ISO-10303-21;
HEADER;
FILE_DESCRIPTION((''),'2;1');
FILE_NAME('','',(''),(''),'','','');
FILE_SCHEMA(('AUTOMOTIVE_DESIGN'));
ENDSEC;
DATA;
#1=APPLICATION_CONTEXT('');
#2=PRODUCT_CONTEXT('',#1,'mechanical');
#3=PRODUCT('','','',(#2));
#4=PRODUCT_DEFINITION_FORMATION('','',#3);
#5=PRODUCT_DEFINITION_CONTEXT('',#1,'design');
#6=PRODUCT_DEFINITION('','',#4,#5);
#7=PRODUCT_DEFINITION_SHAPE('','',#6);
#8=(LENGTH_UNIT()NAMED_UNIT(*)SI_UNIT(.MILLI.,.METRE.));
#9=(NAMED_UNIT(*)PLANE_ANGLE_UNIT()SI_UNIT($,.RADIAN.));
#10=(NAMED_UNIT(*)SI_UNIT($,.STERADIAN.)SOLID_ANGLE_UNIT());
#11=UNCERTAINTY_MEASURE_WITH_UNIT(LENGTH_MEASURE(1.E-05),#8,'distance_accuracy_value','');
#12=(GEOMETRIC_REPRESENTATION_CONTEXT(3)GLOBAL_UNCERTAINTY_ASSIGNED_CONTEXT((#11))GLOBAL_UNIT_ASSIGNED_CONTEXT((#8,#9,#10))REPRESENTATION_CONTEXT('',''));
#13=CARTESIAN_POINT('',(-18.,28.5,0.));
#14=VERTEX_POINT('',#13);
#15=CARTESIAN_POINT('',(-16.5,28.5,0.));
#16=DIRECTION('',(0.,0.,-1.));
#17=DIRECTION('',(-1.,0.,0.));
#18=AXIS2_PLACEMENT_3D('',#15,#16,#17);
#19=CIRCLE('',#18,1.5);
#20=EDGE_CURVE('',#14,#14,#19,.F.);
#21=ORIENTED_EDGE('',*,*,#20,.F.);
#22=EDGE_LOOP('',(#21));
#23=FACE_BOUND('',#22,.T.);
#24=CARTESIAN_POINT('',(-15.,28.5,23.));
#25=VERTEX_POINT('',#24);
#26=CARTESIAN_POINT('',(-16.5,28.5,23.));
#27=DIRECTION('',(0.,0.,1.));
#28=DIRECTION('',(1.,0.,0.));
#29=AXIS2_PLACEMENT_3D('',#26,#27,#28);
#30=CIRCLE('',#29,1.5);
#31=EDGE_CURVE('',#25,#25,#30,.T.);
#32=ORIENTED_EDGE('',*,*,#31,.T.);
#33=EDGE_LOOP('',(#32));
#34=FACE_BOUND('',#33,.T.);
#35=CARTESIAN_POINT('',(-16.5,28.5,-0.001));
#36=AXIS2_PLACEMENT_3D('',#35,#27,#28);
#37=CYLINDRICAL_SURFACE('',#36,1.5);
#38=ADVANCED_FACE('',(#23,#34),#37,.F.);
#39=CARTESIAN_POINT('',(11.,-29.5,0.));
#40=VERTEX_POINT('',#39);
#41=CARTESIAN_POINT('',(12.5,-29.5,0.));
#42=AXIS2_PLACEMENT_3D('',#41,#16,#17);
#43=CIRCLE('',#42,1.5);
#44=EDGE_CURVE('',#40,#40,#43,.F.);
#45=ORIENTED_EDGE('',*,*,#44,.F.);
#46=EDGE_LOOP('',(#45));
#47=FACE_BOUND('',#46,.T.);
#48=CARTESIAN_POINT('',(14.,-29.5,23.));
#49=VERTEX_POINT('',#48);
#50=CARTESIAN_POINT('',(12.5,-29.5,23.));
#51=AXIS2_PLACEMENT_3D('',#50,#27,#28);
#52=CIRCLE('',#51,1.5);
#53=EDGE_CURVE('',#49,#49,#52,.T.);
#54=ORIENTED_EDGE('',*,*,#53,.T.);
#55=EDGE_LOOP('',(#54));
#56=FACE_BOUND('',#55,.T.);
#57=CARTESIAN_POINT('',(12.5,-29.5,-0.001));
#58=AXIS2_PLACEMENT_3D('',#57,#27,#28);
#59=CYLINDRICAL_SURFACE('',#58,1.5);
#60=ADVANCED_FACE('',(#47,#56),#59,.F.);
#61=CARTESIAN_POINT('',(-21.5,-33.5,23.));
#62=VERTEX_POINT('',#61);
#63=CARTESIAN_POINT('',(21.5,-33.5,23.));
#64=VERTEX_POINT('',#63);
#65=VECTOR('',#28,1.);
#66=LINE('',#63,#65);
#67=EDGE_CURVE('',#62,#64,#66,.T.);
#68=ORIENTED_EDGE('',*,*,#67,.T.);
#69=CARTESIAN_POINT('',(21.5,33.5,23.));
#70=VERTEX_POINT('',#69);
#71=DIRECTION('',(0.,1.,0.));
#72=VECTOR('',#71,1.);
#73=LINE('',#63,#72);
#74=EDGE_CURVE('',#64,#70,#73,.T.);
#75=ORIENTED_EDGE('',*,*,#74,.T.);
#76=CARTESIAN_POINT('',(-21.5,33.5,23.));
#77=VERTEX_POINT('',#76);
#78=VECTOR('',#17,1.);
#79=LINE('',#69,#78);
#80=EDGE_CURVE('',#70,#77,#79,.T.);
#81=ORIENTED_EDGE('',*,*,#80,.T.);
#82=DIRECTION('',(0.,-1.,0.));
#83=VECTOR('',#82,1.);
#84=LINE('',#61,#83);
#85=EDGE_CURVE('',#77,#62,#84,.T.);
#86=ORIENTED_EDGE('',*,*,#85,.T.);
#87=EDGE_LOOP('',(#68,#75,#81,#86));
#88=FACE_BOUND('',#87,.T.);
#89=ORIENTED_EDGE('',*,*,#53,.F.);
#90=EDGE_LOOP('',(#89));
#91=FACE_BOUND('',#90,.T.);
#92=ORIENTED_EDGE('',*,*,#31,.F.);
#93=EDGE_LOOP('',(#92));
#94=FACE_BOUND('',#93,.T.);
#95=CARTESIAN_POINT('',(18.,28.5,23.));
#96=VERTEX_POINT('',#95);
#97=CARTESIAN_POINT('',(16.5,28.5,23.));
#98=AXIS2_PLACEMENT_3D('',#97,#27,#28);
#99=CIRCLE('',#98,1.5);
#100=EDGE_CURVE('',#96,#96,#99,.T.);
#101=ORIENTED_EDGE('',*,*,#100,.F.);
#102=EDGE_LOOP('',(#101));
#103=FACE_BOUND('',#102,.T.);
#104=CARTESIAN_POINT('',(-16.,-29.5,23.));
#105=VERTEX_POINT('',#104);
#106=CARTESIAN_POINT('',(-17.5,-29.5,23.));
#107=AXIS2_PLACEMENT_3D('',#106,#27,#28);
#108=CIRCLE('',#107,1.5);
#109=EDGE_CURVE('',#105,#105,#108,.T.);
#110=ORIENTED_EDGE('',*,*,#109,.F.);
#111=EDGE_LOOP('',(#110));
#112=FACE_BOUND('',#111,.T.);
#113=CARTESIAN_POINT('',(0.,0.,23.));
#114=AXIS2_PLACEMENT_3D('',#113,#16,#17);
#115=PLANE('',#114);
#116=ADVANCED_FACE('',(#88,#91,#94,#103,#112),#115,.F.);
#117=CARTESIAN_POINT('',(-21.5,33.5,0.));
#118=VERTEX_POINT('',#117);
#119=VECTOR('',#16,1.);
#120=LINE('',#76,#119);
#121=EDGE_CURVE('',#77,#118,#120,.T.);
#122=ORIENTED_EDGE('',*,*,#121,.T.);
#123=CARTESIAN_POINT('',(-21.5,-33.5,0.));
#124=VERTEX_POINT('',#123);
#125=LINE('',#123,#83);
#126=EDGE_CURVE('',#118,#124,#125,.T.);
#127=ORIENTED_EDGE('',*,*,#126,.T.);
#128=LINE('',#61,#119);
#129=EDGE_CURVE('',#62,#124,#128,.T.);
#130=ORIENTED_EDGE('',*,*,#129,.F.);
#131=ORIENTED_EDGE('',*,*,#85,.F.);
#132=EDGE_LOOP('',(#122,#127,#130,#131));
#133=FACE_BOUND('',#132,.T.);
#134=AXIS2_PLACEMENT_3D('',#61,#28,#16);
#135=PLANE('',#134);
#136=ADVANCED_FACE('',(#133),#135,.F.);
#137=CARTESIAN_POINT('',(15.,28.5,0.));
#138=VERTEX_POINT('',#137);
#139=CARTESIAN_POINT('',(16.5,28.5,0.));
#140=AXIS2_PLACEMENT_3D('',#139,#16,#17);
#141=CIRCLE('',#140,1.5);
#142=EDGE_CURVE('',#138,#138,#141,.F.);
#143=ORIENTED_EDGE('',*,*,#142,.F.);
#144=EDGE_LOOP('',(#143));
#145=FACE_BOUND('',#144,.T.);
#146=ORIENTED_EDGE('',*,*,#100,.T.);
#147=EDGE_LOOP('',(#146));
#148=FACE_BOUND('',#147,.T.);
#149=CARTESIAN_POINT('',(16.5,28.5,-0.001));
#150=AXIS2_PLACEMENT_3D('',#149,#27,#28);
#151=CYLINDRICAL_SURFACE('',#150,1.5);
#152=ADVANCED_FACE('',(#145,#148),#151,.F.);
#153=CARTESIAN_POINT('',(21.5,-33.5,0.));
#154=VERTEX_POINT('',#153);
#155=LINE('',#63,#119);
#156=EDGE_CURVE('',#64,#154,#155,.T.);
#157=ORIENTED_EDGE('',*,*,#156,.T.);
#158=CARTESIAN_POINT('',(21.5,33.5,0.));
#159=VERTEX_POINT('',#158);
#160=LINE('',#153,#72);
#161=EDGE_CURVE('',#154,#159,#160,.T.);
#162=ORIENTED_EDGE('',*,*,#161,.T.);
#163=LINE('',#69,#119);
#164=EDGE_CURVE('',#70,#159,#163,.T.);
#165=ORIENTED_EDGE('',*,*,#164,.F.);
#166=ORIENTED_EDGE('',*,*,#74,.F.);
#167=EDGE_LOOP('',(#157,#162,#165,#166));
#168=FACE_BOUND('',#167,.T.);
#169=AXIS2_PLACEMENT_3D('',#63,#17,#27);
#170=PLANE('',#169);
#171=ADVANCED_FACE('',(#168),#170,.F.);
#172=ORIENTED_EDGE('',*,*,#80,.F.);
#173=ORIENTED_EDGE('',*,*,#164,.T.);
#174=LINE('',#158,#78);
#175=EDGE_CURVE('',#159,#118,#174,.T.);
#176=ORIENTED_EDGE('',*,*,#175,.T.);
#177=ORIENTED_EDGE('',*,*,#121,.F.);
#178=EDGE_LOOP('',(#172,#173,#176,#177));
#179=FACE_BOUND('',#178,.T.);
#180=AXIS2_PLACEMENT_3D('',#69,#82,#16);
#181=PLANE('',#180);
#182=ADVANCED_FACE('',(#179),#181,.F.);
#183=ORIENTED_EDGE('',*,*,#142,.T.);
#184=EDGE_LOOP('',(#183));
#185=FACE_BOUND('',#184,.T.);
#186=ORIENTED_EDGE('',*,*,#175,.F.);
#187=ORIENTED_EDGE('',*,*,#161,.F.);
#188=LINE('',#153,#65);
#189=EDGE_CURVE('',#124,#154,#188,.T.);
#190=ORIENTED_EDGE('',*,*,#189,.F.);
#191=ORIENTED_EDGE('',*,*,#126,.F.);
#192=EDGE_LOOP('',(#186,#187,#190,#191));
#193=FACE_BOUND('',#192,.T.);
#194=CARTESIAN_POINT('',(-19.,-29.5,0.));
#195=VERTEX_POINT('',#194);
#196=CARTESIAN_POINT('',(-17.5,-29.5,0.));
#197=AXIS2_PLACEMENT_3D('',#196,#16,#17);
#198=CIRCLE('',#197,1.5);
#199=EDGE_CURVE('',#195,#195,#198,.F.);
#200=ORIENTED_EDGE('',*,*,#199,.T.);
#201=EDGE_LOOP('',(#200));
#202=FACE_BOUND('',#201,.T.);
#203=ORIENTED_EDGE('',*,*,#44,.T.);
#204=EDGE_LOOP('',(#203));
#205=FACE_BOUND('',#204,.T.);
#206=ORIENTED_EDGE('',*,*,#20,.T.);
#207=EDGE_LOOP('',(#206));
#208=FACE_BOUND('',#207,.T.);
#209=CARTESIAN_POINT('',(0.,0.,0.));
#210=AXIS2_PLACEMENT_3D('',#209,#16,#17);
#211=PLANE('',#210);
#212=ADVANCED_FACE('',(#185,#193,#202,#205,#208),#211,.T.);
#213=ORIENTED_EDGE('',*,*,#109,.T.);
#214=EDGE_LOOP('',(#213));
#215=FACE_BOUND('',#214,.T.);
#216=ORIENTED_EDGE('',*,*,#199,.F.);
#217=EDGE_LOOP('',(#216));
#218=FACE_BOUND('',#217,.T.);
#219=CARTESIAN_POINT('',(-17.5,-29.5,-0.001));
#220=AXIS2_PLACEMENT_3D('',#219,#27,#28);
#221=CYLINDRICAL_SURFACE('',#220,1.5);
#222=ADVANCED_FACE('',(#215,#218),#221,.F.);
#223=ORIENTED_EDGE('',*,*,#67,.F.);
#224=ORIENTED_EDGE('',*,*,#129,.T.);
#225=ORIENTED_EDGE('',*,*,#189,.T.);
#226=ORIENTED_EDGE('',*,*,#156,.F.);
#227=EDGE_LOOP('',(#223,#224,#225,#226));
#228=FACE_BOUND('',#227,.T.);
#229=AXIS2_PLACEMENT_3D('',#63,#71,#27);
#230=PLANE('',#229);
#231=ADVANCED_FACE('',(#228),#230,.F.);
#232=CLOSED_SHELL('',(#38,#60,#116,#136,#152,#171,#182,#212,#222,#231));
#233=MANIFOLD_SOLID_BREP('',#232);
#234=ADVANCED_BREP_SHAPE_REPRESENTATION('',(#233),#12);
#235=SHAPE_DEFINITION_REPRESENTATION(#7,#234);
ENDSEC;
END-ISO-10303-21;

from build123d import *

# Parameters (mm, degrees)
SKETCH1_W           = 67
SKETCH1_H           = 43
BOSS_EXTRUDE1_DEPTH = 23
CUT_EXTRUDE1_REACH  = 47.973
SKETCH2_R           = 1.5


with BuildPart() as part:
    # Sketch1 → Boss-Extrude1 (new body)
    with BuildSketch(Plane(origin=(0, 0, 0), x_dir=(0, 1, 0), z_dir=(0, 0, 1))):
        Rectangle(SKETCH1_W, SKETCH1_H)
    extrude(amount=BOSS_EXTRUDE1_DEPTH)

    # Sketch2 → Cut-Extrude1 (cut, up to next)
    with BuildSketch(Plane.XY.offset(23), mode=Mode.PRIVATE) as cut_extrude1_sk1:
        with Locations((-16.5, 28.5)):
            Circle(SKETCH2_R)
    cut_extrude1_tool1 = extrude(cut_extrude1_sk1.sketch, amount=-CUT_EXTRUDE1_REACH, mode=Mode.PRIVATE) & part.part
    # Sketch2 → Cut-Extrude1 (cut, up to next)
    with BuildSketch(Plane.XY.offset(23), mode=Mode.PRIVATE) as cut_extrude1_sk2:
        with Locations((16.5, 28.5)):
            Circle(SKETCH2_R)
    cut_extrude1_tool2 = extrude(cut_extrude1_sk2.sketch, amount=-CUT_EXTRUDE1_REACH, mode=Mode.PRIVATE) & part.part
    # Sketch2 → Cut-Extrude1 (cut, up to next)
    with BuildSketch(Plane.XY.offset(23), mode=Mode.PRIVATE) as cut_extrude1_sk3:
        with Locations((12.5, -29.5)):
            Circle(SKETCH2_R)
    cut_extrude1_tool3 = extrude(cut_extrude1_sk3.sketch, amount=-CUT_EXTRUDE1_REACH, mode=Mode.PRIVATE) & part.part
    # Sketch2 → Cut-Extrude1 (cut, up to next)
    with BuildSketch(Plane.XY.offset(23), mode=Mode.PRIVATE) as cut_extrude1_sk4:
        with Locations((-17.5, -29.5)):
            Circle(SKETCH2_R)
    cut_extrude1_tool4 = extrude(cut_extrude1_sk4.sketch, amount=-CUT_EXTRUDE1_REACH, mode=Mode.PRIVATE) & part.part
    add(cut_extrude1_tool1.solids().sort_by_distance((-16.5, 28.5, 23))[0], mode=Mode.SUBTRACT)
    add(cut_extrude1_tool2.solids().sort_by_distance((16.5, 28.5, 23))[0], mode=Mode.SUBTRACT)
    add(cut_extrude1_tool3.solids().sort_by_distance((12.5, -29.5, 23))[0], mode=Mode.SUBTRACT)
    add(cut_extrude1_tool4.solids().sort_by_distance((-17.5, -29.5, 23))[0], mode=Mode.SUBTRACT)


solid = part.part
